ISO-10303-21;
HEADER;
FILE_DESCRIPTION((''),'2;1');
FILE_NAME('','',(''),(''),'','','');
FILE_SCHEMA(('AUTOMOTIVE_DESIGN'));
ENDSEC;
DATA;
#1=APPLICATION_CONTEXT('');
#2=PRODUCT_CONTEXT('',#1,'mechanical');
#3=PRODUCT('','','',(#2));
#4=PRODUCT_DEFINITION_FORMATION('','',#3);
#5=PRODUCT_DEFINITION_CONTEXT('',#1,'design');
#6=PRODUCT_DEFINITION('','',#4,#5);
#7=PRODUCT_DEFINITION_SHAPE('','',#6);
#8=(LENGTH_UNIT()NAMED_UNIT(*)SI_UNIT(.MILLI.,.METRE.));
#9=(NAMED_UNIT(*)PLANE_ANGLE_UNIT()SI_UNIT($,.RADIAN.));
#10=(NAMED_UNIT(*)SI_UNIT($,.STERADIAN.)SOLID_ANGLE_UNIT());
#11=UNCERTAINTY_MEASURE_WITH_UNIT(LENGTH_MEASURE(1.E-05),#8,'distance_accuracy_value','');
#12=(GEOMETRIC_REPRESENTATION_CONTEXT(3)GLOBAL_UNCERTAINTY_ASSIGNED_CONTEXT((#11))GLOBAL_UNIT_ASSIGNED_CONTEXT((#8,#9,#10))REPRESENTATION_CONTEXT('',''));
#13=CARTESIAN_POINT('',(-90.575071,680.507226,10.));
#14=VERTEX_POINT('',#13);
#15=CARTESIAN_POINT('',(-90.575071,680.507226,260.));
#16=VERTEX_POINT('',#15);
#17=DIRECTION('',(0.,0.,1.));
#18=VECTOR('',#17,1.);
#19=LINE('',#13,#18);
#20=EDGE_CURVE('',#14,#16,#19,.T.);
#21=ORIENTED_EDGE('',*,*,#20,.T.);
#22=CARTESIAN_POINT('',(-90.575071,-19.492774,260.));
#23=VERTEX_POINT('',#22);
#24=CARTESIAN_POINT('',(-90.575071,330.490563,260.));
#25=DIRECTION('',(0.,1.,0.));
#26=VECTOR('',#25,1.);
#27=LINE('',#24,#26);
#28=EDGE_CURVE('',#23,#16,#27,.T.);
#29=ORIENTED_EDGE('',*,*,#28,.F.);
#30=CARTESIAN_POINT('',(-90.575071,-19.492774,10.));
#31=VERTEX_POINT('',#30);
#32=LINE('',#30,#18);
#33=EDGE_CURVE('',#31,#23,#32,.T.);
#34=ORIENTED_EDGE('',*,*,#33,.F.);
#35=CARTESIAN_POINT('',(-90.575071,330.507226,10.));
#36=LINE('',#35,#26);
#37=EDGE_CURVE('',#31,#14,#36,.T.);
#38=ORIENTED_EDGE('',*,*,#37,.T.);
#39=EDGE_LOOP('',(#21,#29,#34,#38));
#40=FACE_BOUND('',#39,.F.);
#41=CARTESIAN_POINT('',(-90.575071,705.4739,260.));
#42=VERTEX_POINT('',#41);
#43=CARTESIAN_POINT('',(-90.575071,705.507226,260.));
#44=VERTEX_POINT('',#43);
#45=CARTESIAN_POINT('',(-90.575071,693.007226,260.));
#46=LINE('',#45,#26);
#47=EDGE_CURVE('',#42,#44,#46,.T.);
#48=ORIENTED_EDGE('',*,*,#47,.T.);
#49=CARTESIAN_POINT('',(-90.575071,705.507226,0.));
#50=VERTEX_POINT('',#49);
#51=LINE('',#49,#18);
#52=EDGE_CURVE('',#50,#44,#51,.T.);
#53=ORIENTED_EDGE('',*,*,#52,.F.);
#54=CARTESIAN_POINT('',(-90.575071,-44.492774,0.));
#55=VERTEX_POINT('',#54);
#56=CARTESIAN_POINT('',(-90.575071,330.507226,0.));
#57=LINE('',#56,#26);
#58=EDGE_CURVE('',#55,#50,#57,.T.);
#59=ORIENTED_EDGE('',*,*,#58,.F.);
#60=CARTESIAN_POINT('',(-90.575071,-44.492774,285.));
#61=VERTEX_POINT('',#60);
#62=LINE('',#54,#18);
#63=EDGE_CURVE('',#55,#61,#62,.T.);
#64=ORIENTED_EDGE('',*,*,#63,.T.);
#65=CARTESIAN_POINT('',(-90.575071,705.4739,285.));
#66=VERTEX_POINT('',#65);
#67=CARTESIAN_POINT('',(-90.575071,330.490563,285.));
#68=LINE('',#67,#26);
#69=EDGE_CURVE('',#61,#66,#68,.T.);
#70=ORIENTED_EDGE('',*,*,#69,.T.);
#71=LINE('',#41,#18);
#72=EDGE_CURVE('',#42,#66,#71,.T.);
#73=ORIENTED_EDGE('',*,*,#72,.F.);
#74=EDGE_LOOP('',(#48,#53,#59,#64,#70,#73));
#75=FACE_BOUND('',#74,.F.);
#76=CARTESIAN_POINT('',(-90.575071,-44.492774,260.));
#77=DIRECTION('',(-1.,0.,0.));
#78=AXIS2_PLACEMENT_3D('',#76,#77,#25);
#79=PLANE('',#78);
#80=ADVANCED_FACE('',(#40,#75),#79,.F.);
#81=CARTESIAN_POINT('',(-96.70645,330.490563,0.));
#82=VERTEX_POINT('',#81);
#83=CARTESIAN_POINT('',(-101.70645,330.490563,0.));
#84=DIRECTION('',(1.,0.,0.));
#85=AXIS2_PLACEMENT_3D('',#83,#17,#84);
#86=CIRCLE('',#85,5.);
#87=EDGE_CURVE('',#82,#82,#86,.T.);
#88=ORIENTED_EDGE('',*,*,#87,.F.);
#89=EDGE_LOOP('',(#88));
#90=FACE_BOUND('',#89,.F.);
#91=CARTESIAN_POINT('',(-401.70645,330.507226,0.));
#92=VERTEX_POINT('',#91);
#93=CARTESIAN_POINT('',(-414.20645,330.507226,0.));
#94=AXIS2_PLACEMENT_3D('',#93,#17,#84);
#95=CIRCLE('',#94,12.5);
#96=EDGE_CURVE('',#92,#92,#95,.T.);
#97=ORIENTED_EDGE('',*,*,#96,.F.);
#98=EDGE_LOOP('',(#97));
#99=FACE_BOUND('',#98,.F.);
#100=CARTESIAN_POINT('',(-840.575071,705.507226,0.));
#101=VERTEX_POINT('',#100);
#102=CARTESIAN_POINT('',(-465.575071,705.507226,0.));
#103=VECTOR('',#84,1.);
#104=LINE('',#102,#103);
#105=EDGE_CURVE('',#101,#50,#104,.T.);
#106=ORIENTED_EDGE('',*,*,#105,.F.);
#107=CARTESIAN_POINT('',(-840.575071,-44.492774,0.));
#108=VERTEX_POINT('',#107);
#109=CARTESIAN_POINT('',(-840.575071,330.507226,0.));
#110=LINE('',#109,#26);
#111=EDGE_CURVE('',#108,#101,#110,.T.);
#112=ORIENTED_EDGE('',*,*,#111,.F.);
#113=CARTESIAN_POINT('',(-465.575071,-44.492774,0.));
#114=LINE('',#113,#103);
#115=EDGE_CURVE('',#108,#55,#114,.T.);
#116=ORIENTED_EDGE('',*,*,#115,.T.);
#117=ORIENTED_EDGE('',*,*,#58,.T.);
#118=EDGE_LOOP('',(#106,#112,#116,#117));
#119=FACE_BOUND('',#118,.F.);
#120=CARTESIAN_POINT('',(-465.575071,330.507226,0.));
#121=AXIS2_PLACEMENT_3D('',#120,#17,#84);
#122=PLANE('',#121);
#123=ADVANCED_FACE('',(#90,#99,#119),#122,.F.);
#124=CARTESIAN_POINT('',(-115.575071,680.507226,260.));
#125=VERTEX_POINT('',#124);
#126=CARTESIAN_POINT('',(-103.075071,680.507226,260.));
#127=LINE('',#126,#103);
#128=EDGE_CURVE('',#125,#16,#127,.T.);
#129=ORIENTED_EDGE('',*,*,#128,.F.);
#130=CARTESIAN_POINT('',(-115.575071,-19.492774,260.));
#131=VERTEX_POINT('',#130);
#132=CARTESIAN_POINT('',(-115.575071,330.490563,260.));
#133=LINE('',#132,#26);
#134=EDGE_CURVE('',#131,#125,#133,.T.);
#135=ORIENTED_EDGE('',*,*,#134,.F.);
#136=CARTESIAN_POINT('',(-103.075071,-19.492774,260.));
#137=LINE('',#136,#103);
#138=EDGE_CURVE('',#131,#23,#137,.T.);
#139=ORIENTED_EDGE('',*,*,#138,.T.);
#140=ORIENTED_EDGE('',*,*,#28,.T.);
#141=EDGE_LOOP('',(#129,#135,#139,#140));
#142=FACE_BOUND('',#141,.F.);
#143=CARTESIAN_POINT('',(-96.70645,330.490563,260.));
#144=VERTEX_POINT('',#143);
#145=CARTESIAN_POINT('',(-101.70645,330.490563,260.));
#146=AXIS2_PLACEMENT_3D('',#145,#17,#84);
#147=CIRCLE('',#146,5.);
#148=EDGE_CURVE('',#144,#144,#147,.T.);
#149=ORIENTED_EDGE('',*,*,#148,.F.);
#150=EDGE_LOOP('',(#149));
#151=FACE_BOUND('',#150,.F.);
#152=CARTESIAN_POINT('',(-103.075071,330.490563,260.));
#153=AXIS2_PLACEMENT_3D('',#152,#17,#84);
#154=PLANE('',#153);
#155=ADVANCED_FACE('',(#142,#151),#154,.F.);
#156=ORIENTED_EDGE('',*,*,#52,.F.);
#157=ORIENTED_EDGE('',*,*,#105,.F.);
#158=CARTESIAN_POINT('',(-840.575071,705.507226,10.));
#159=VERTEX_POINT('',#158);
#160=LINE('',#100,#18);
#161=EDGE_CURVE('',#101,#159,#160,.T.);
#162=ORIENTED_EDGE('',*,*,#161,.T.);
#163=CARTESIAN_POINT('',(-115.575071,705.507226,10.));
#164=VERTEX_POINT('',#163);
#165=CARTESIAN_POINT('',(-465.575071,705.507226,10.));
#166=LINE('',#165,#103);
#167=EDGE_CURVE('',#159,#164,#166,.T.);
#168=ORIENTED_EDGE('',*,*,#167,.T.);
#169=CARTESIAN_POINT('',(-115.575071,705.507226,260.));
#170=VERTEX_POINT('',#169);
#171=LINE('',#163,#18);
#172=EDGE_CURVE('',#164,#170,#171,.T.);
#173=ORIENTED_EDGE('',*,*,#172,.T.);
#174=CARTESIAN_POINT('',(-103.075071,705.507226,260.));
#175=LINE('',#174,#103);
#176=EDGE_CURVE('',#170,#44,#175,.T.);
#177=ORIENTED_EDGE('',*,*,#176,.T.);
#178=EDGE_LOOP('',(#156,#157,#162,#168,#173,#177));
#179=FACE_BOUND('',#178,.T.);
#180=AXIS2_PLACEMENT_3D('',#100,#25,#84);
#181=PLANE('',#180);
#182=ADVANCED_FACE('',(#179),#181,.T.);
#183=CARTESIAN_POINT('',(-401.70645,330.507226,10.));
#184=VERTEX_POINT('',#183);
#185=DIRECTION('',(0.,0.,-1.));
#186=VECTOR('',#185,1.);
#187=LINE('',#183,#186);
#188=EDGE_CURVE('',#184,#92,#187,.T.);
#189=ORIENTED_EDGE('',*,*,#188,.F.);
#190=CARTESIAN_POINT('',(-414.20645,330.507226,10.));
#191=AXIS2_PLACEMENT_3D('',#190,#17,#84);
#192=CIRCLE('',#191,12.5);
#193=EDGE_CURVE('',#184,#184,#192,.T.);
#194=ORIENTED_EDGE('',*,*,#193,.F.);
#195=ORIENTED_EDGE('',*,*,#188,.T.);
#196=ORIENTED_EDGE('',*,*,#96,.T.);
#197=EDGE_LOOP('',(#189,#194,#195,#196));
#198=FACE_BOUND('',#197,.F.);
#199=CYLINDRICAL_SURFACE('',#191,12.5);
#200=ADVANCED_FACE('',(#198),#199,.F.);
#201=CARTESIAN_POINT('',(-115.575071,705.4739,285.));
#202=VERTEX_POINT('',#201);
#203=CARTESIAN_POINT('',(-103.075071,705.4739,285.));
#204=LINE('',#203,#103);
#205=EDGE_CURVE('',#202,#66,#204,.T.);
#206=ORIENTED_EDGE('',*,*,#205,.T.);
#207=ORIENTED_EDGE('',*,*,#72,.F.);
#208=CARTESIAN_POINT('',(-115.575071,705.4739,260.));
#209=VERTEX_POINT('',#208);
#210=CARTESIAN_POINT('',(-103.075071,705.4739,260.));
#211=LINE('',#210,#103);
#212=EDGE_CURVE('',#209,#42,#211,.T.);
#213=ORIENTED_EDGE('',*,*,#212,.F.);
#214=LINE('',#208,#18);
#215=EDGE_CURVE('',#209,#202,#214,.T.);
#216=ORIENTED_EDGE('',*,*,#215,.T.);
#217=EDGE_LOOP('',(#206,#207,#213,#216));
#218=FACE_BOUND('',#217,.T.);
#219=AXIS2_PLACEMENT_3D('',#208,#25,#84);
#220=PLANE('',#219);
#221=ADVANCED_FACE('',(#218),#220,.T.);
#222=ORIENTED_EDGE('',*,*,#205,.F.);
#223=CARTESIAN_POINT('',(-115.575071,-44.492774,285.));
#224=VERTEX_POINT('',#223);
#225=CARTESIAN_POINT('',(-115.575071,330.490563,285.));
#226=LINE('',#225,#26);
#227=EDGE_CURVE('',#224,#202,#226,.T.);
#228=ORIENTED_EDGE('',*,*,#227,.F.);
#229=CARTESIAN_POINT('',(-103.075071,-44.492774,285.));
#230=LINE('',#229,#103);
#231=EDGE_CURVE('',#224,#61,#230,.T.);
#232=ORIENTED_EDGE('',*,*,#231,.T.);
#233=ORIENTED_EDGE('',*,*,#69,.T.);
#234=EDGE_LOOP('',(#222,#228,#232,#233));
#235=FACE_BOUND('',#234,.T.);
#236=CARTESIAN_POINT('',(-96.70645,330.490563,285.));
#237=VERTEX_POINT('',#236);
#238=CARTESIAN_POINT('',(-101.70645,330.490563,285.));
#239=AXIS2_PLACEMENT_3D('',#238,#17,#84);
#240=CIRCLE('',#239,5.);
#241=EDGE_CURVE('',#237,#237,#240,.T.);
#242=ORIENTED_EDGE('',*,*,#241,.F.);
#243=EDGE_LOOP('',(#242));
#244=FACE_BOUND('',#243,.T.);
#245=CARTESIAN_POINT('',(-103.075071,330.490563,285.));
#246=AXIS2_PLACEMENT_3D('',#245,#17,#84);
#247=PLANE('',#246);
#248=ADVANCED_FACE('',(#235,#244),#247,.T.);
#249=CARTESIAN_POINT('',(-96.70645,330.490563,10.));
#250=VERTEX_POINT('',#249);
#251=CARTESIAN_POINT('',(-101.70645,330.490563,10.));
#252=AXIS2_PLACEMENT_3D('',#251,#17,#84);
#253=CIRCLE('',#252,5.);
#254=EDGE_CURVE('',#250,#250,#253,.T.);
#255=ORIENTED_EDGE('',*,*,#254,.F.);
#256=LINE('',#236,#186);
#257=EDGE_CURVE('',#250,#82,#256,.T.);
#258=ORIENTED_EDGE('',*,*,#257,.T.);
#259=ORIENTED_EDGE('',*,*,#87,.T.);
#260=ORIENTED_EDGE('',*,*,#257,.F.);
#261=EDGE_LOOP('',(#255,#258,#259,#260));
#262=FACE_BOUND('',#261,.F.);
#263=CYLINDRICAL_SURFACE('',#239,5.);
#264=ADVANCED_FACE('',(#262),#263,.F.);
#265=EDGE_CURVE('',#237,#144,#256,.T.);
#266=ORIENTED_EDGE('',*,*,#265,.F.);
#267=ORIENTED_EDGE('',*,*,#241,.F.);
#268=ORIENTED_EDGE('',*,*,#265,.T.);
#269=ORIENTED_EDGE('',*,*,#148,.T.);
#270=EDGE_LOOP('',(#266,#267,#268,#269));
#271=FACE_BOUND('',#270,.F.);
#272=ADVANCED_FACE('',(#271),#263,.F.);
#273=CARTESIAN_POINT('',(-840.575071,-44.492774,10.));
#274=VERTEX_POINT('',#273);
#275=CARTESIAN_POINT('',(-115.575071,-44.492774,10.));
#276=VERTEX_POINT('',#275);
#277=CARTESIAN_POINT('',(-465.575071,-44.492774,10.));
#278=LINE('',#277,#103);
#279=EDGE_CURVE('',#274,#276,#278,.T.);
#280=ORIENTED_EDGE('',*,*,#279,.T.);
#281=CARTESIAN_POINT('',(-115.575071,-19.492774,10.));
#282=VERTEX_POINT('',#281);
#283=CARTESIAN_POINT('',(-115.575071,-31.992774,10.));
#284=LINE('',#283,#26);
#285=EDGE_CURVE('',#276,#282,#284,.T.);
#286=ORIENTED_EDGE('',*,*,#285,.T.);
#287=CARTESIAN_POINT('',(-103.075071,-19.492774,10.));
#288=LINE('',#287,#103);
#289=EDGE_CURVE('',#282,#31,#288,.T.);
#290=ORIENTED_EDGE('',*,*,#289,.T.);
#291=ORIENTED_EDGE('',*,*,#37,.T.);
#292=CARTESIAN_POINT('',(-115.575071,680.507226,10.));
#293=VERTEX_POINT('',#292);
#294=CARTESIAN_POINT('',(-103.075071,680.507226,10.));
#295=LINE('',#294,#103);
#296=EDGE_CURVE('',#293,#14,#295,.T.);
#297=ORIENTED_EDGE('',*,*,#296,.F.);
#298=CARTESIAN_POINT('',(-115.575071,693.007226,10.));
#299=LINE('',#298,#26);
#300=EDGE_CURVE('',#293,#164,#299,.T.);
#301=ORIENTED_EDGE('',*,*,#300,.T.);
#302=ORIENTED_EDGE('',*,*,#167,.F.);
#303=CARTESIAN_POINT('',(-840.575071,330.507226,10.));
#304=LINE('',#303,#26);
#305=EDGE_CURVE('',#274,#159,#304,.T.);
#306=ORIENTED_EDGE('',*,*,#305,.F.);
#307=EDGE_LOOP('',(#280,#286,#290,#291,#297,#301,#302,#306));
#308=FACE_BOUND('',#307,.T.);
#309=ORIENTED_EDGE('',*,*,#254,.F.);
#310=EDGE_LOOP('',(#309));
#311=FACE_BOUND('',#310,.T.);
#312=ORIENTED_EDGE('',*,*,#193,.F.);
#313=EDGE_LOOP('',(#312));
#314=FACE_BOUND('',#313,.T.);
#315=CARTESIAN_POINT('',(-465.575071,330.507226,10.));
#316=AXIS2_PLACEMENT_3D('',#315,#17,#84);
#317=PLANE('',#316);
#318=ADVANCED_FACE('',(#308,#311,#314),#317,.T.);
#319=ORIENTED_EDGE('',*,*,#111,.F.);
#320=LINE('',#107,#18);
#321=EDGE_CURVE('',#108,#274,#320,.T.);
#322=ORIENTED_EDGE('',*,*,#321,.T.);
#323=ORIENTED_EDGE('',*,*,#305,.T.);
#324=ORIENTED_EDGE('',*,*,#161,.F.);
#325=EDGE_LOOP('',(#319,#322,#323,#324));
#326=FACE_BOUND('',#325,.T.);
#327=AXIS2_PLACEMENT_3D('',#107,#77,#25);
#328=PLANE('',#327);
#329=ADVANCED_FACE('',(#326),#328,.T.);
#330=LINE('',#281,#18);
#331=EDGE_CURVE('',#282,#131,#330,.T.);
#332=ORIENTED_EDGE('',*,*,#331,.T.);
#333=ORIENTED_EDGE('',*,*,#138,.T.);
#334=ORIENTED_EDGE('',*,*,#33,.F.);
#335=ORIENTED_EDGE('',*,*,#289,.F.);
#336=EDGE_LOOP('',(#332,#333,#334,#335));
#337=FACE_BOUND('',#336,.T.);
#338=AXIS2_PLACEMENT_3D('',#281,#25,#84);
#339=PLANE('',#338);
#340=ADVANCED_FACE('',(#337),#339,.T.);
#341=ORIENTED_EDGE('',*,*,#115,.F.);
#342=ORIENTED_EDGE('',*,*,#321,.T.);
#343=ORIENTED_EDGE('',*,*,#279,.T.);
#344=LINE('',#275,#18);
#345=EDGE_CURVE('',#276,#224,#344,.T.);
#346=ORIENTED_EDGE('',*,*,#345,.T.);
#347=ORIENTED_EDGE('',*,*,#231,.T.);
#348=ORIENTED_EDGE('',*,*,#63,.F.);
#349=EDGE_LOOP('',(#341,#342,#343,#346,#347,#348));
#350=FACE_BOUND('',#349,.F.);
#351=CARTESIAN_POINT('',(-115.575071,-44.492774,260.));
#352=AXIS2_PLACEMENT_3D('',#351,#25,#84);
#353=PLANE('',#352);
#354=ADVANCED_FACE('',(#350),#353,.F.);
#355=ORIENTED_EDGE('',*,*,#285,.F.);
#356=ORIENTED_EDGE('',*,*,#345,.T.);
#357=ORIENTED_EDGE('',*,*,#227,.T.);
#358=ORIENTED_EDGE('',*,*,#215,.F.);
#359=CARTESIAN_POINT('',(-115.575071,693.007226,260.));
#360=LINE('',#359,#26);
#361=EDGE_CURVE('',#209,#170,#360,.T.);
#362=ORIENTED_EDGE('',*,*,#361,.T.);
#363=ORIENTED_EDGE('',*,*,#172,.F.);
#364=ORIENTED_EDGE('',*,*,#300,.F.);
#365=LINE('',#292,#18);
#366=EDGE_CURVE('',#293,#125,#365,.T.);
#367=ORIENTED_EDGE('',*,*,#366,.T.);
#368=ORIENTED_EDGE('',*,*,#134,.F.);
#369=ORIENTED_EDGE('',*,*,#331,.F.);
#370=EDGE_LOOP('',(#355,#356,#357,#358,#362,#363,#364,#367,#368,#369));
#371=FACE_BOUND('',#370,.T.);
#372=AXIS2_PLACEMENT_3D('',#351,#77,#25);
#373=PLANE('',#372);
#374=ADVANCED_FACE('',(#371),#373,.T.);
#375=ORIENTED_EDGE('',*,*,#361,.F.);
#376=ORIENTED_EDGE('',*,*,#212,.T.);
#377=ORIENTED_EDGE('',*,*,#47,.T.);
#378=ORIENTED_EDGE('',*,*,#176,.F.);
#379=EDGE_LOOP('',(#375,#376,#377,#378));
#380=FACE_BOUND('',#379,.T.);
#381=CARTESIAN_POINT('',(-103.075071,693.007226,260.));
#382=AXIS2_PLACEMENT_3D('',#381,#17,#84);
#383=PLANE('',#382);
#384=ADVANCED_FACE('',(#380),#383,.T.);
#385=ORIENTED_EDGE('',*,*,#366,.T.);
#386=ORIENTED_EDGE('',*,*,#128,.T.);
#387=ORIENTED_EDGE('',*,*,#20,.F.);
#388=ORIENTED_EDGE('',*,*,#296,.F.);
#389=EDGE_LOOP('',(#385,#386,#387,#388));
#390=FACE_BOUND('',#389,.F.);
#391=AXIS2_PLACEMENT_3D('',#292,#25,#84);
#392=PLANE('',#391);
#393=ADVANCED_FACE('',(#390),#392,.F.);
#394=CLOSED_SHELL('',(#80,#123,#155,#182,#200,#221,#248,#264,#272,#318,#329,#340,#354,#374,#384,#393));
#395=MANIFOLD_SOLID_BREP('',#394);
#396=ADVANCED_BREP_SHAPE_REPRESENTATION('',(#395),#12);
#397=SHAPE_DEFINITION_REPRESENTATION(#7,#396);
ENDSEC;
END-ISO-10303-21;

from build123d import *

# Parameters (mm, degrees)
F0_W     = 750
F0_H     = 750
F1_DEPTH = 10
F2_W     = 25
F2_H     = 25
F3_DEPTH = 250
F4_W     = 25
F4_H     = 749.966674
F5_DEPTH = 25
F6_R     = 5
F7_DEPTH = 285.001
F8_R     = 12.5
F9_DEPTH = 25


with BuildPart() as f1:
    # F0 (on Top) → F1 (new body)
    with BuildSketch(Plane.XY):
        with Locations((-465.575071, 330.507226)):
            Rectangle(F0_W, F0_H)
    extrude(amount=F1_DEPTH)

    # F2 (on face) → F3 (join)
    with BuildSketch(Plane.XY.offset(10)):
        with Locations((-103.075071, -31.992774)):
            Rectangle(F2_W, F2_H)
        with Locations((-103.075071, 693.007226)):
            Rectangle(F2_W, F2_H)
    extrude(amount=F3_DEPTH)

    # F4 (on face) → F5 (join)
    with BuildSketch(Plane.XY.offset(260)):
        with Locations((-103.075071, 330.490563)):
            Rectangle(F4_W, F4_H)
    extrude(amount=F5_DEPTH)

    # F6 (on face) → F7 (cut, through all)
    with BuildSketch(Plane.XY.offset(285)):
        with Locations((-101.70645, 330.490563)):
            Circle(F6_R)
    extrude(amount=-F7_DEPTH, mode=Mode.SUBTRACT)

    # F8 (on face) → F9 (cut)
    with BuildSketch(Plane.XY.offset(10)):
        with Locations((-414.20645, 330.507226)):
            Circle(F8_R)
    extrude(amount=-F9_DEPTH, mode=Mode.SUBTRACT)


solid = f1.part
